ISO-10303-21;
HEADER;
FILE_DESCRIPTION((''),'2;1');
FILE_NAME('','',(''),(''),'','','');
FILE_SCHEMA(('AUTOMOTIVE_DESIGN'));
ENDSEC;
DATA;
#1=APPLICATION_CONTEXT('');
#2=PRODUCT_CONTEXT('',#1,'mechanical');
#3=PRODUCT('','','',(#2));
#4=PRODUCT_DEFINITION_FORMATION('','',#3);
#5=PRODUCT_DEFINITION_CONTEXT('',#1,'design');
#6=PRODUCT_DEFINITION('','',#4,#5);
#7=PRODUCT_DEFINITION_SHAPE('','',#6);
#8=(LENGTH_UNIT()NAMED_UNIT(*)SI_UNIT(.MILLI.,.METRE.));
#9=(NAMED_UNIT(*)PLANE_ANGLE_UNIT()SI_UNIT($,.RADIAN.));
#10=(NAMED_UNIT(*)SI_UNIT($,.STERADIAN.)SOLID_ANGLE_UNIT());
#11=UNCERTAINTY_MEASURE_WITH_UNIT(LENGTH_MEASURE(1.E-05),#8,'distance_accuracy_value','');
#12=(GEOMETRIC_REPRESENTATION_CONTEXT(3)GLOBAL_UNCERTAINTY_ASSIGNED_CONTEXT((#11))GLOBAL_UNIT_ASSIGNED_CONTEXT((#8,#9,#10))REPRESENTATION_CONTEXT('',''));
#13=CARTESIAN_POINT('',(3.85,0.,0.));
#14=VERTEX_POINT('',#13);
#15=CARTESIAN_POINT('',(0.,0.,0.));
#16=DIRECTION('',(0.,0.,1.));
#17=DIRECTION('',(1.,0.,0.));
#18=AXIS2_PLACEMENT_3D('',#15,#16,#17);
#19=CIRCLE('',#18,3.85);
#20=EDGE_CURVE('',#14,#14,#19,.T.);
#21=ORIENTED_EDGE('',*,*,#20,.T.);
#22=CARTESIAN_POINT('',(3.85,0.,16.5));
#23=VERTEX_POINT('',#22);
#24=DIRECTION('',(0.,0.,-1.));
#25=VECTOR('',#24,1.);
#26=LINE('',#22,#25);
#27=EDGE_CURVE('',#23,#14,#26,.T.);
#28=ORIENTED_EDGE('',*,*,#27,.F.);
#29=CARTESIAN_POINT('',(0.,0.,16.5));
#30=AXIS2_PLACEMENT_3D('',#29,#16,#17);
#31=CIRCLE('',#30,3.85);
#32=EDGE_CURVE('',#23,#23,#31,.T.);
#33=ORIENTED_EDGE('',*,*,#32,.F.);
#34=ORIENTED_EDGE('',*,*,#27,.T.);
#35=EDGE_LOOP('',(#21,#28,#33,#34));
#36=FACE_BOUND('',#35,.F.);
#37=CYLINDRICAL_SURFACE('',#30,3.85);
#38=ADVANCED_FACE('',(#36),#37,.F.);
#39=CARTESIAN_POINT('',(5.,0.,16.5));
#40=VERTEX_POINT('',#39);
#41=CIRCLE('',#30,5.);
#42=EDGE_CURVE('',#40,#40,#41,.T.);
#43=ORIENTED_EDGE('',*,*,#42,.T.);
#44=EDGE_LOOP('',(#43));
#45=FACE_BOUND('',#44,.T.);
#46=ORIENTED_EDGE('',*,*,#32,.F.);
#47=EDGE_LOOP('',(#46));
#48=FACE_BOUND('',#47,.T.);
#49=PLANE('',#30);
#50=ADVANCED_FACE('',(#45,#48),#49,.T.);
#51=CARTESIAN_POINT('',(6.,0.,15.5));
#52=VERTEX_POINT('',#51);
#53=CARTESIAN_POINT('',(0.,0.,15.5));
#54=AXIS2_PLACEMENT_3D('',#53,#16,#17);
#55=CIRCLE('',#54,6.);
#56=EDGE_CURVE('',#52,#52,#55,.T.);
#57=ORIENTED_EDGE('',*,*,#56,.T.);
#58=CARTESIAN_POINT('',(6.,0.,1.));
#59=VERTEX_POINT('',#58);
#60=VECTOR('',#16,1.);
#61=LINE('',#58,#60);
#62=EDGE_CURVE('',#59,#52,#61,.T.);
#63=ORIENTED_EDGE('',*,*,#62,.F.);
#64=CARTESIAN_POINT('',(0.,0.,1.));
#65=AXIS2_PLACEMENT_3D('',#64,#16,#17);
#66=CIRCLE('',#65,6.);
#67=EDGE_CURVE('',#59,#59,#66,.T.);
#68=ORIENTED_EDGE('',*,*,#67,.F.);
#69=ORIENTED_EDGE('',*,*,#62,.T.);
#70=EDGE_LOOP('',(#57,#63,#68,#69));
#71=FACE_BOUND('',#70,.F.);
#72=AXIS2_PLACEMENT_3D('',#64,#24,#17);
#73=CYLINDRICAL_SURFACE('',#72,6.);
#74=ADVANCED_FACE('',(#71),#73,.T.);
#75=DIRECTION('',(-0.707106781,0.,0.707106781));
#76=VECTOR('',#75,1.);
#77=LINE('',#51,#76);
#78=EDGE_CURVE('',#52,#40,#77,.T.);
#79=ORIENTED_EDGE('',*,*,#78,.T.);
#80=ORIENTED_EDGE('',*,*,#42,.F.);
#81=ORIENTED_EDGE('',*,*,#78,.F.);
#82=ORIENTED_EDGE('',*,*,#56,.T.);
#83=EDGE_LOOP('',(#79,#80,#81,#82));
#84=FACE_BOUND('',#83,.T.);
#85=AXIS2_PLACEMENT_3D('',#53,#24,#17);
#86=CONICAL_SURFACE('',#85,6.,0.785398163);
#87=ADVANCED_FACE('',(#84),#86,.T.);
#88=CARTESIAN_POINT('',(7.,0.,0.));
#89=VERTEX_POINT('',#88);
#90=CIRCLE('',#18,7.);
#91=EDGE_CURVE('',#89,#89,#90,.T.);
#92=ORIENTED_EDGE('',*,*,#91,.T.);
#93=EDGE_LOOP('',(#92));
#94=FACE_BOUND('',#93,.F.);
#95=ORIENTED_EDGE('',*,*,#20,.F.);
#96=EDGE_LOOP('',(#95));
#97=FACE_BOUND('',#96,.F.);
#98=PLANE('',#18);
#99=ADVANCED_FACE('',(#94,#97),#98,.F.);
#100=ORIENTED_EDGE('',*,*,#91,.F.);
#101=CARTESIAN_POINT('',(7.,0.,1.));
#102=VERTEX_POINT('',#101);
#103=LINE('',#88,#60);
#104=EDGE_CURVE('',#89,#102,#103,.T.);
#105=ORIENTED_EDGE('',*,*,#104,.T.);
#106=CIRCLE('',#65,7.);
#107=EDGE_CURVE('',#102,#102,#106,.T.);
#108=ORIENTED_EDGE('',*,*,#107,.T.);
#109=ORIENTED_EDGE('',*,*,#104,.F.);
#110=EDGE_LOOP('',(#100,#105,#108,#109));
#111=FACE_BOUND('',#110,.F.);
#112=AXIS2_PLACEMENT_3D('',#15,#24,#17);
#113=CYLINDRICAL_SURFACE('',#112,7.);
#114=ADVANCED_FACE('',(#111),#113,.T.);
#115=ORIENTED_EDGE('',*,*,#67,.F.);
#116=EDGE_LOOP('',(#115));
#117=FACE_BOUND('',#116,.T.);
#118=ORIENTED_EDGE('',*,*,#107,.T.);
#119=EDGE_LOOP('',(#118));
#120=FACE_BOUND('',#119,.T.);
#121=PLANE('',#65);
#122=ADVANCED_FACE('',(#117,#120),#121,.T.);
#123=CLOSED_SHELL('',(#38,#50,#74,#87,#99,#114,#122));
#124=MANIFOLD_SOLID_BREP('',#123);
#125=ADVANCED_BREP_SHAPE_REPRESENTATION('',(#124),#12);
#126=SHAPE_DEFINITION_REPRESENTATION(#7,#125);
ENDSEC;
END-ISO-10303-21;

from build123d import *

# Parameters (mm, degrees)
SKETCH_R     = 7
PAD_DEPTH    = 1
SKETCH001_R  = 6
PAD001_DEPTH = 15.5
CHAMFER_SIZE = 1
SKETCH002_R  = 3.85
POCKET_DEPTH = 16.501


with BuildPart() as part:
    # Sketch → Pad (new body)
    with BuildSketch(Plane.XY):
        Circle(SKETCH_R)
    extrude(amount=PAD_DEPTH)

    # Sketch001 (on Face3 of Pad) → Pad001 (join)
    with BuildSketch(Plane.XY.offset(1)):
        Circle(SKETCH001_R)
    extrude(amount=PAD001_DEPTH)

    # Chamfer
    chamfer_edges = [part.edges().sort_by_distance(p)[0] for p in [
        (-6, 0, 16.5),
    ]]
    chamfer(chamfer_edges, length=CHAMFER_SIZE)

    # Sketch002 (on Face4 of Chamfer) → Pocket (cut, through all)
    with BuildSketch(Plane.XY.offset(16.5)):
        Circle(SKETCH002_R)
    extrude(amount=-POCKET_DEPTH, mode=Mode.SUBTRACT)


solid = part.part
